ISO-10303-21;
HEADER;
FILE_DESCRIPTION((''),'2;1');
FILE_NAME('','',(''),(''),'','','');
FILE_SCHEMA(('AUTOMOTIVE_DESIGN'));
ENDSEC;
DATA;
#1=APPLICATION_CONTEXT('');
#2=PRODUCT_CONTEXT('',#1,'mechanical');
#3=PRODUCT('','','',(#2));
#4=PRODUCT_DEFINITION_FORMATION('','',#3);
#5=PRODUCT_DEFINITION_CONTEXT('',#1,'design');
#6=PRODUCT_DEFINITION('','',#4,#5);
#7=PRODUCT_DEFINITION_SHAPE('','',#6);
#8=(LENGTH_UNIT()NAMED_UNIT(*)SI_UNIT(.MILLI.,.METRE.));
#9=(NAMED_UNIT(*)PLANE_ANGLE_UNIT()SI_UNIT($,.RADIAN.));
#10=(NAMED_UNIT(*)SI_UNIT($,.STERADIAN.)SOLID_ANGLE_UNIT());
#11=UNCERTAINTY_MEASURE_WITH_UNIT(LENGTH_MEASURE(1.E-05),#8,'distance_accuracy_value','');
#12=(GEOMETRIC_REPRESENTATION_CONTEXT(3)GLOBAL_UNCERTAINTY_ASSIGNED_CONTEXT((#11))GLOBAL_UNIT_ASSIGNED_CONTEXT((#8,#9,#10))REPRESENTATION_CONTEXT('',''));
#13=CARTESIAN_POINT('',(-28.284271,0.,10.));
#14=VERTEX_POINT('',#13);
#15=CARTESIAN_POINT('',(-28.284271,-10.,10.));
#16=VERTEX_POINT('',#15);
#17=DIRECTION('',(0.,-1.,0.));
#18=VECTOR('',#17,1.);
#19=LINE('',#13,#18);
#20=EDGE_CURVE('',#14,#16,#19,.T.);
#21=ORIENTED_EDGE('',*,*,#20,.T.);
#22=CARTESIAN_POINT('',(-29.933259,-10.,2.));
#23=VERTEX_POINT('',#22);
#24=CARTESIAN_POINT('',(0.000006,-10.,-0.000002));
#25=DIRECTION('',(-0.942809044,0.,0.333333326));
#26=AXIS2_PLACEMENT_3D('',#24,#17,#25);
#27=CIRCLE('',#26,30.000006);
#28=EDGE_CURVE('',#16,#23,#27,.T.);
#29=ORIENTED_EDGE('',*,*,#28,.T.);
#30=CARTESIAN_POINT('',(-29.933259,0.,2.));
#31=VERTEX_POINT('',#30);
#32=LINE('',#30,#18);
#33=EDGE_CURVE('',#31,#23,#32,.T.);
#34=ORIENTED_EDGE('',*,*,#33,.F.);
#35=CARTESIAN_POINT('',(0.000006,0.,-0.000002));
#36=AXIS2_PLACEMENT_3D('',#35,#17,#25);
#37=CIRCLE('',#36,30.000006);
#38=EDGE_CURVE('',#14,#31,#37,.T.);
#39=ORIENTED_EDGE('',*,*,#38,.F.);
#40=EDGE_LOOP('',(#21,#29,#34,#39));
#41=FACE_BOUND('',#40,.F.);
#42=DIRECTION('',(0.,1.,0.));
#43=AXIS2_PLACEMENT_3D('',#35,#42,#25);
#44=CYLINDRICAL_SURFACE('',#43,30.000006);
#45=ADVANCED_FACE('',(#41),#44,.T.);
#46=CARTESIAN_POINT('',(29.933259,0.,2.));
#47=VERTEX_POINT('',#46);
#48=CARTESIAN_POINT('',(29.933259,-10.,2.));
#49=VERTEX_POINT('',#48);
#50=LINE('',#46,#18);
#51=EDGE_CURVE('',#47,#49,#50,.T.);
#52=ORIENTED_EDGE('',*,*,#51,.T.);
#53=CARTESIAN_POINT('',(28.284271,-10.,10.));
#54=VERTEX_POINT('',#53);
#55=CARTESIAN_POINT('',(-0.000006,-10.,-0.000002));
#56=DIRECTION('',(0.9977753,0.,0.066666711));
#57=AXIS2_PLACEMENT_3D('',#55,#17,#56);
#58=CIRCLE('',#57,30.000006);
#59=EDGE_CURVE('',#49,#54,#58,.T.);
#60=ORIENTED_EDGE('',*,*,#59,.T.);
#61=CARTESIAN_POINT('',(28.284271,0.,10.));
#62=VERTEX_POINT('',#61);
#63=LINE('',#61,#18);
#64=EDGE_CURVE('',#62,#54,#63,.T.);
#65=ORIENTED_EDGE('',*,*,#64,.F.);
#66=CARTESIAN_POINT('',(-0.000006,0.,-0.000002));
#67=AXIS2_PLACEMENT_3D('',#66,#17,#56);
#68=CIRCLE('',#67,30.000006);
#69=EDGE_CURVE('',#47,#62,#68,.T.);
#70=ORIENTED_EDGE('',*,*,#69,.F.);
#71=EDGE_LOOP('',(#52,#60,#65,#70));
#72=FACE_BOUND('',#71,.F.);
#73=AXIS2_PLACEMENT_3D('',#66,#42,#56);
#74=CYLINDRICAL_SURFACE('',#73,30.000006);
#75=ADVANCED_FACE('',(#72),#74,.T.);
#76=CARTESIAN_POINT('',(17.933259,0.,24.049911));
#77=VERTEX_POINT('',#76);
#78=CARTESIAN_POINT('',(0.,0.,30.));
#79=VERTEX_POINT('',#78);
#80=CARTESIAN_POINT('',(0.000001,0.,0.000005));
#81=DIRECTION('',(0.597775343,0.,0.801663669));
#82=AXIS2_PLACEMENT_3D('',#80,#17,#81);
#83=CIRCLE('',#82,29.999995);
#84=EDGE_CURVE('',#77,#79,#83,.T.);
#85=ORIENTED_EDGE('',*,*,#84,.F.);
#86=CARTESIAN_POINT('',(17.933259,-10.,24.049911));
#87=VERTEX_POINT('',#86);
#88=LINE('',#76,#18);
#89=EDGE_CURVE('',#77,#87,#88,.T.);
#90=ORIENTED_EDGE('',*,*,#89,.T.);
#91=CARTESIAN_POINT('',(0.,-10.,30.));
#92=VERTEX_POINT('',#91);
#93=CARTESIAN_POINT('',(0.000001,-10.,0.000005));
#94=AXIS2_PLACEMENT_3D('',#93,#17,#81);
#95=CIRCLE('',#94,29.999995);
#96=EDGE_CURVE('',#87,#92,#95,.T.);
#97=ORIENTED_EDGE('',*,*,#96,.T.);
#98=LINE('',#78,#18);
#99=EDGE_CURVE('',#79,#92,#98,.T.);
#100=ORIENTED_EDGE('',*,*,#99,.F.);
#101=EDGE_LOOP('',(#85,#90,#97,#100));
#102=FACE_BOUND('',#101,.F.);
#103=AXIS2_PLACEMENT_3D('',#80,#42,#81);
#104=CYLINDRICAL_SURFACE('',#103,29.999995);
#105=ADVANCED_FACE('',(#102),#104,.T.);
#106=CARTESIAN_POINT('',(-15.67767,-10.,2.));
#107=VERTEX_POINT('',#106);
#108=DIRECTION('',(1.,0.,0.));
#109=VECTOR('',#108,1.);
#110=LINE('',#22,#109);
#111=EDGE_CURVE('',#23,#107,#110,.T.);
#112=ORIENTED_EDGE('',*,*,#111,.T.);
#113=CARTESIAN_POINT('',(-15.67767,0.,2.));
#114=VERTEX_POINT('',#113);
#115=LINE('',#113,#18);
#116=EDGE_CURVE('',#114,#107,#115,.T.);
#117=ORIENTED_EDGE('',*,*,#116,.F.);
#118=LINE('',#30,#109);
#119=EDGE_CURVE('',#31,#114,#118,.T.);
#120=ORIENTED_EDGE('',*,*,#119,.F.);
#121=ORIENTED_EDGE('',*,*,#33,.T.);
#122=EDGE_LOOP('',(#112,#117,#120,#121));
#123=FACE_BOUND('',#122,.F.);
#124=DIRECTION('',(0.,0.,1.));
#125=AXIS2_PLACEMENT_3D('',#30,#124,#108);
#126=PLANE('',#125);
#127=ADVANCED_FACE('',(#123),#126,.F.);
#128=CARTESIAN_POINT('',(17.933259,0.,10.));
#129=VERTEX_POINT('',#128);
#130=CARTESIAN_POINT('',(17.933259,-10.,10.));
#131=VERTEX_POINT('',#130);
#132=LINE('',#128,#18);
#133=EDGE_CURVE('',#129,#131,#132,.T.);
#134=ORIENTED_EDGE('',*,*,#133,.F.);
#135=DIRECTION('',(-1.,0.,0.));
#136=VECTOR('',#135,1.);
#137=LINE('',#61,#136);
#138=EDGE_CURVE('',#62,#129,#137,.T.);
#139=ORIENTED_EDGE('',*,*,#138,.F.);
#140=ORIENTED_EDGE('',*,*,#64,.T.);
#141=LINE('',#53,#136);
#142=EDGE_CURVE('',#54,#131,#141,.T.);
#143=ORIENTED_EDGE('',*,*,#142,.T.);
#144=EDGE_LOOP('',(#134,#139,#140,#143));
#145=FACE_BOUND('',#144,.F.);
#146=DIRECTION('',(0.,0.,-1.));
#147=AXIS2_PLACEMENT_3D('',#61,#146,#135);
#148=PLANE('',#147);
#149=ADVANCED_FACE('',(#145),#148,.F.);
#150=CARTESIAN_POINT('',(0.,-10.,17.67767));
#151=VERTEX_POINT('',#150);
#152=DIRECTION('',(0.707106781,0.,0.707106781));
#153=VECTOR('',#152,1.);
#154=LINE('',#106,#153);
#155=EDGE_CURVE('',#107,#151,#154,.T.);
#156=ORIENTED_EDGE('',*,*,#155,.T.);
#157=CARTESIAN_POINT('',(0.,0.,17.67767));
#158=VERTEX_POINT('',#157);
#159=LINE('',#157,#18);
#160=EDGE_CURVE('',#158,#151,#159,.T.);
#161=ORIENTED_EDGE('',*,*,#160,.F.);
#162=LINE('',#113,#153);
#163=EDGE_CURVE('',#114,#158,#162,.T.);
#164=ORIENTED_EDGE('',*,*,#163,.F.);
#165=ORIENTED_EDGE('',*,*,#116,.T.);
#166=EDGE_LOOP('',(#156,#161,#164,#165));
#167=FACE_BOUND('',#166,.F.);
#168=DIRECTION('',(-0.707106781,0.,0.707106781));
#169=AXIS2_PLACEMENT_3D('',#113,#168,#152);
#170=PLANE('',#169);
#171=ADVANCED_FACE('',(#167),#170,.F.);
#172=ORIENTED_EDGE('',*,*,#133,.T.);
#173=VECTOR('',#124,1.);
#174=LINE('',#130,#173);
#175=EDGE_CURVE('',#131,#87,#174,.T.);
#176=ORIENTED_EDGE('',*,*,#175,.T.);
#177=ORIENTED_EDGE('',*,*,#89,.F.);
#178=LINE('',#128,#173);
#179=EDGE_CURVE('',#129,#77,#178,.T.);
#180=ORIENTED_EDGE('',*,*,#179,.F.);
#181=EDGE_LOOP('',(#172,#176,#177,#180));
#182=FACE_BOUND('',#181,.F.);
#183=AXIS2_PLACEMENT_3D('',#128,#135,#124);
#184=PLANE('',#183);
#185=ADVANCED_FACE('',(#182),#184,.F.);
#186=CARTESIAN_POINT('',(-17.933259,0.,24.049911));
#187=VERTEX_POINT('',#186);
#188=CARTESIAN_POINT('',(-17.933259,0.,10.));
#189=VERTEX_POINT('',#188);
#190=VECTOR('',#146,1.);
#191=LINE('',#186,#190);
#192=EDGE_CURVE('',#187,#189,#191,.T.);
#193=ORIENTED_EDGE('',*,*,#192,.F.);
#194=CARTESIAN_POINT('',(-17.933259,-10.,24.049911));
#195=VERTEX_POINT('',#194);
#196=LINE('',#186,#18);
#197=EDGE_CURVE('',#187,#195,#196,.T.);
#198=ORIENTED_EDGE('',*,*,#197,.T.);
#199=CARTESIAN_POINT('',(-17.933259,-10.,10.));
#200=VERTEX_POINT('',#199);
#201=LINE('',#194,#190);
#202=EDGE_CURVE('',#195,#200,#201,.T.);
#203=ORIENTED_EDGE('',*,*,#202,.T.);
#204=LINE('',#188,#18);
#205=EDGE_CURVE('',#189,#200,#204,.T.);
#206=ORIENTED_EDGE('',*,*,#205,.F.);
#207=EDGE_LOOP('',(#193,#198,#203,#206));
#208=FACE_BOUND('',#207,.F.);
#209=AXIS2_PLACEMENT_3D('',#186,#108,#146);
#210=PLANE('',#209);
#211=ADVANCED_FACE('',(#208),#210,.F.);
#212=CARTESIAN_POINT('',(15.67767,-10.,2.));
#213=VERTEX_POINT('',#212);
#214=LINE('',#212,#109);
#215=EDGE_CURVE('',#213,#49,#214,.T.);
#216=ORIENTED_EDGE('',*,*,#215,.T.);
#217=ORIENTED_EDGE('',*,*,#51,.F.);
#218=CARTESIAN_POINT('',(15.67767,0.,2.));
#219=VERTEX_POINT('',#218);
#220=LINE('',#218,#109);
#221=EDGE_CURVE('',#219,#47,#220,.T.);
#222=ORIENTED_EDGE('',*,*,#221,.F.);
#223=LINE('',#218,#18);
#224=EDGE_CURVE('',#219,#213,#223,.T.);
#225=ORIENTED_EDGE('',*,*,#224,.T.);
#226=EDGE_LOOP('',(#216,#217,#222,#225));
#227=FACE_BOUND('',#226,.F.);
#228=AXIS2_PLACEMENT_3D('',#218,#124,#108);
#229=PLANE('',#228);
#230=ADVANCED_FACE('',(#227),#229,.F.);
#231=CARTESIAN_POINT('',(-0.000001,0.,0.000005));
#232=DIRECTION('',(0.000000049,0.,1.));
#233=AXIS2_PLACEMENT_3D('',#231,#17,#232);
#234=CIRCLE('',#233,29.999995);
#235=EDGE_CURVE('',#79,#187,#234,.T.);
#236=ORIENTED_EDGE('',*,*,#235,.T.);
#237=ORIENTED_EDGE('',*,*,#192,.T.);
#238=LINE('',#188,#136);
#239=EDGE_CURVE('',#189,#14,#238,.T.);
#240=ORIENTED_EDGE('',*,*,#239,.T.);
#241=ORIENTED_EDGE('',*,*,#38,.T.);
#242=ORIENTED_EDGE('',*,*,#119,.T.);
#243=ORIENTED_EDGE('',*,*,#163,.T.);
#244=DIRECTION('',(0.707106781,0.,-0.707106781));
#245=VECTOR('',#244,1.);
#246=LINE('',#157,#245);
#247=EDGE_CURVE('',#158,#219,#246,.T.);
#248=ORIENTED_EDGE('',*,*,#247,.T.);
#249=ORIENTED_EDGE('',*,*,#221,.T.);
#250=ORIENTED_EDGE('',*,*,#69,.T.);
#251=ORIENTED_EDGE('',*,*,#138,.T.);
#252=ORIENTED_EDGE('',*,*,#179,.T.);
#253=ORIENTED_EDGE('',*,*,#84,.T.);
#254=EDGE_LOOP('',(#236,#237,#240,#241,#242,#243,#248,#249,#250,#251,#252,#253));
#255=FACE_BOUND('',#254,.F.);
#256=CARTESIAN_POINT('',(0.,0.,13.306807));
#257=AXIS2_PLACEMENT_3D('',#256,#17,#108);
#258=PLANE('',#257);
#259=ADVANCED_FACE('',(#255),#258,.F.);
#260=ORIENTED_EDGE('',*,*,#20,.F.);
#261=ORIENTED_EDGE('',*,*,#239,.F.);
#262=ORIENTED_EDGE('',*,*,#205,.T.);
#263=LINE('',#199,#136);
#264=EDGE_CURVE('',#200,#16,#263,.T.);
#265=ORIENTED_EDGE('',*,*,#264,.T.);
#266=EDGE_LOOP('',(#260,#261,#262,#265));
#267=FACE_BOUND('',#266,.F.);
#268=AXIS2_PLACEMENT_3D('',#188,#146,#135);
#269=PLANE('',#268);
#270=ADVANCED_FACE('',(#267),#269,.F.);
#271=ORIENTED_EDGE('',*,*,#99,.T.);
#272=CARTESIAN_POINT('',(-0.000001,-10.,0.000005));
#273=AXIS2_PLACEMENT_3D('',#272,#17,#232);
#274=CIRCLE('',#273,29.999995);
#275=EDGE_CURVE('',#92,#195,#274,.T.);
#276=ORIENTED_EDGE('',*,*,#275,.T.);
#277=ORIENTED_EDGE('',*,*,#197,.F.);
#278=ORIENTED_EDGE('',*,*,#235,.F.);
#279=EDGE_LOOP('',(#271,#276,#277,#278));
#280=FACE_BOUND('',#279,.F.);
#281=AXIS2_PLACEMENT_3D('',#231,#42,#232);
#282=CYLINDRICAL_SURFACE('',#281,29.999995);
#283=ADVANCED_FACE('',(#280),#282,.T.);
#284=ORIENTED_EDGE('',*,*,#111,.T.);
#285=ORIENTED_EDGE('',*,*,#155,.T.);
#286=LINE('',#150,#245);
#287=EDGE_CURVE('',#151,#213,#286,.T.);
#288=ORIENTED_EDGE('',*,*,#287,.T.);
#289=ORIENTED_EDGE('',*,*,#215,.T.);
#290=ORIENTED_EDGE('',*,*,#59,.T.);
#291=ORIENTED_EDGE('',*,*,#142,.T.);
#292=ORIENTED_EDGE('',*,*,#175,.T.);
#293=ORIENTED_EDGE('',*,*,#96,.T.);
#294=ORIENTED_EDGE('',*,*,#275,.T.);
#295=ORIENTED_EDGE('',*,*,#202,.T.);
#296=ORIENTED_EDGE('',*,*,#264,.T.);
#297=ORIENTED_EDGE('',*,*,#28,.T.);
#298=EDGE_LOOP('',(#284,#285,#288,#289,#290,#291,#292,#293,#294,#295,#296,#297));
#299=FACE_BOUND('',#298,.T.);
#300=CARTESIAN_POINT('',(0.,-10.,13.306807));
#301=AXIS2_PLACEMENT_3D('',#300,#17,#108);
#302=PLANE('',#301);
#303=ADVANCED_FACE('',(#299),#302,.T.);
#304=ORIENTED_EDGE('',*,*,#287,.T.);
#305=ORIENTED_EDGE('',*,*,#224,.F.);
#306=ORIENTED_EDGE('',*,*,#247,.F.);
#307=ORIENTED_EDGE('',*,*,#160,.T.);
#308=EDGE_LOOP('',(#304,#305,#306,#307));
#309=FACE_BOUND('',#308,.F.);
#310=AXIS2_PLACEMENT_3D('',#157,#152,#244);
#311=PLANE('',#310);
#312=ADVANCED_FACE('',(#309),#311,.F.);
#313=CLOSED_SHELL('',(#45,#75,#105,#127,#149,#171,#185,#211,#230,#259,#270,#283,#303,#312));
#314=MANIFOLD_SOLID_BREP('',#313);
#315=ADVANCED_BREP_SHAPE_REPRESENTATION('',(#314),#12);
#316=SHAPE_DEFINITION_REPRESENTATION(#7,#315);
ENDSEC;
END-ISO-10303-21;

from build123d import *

# Parameters (mm, degrees)
F1_DEPTH = 10


with BuildPart() as f1:
    # F0 (on Front) → F1 (new body)
    with BuildSketch(Plane.XZ):
        with BuildLine():
            Line((-15.67767, 2), (0, 17.67767))
            Line((0, 17.67767), (15.67767, 2))
            Line((15.67767, 2), (29.933259, 2))
            ThreePointArc((29.933259, 2), (29.382311, 6.056384), (28.284271, 10))
            Line((28.284271, 10), (17.933259, 10))
            Line((17.933259, 10), (17.933259, 24.049911))
            ThreePointArc((17.933259, 24.049911), (9.447292, 28.473649), (0, 30))
            ThreePointArc((0, 30), (-9.447292, 28.473649), (-17.933259, 24.049911))
            Line((-17.933259, 24.049911), (-17.933259, 10))
            Line((-17.933259, 10), (-28.284271, 10))
            ThreePointArc((-28.284271, 10), (-29.382311, 6.056384), (-29.933259, 2))
            Line((-29.933259, 2), (-15.67767, 2))
        make_face()
    extrude(amount=F1_DEPTH)


solid = f1.part
